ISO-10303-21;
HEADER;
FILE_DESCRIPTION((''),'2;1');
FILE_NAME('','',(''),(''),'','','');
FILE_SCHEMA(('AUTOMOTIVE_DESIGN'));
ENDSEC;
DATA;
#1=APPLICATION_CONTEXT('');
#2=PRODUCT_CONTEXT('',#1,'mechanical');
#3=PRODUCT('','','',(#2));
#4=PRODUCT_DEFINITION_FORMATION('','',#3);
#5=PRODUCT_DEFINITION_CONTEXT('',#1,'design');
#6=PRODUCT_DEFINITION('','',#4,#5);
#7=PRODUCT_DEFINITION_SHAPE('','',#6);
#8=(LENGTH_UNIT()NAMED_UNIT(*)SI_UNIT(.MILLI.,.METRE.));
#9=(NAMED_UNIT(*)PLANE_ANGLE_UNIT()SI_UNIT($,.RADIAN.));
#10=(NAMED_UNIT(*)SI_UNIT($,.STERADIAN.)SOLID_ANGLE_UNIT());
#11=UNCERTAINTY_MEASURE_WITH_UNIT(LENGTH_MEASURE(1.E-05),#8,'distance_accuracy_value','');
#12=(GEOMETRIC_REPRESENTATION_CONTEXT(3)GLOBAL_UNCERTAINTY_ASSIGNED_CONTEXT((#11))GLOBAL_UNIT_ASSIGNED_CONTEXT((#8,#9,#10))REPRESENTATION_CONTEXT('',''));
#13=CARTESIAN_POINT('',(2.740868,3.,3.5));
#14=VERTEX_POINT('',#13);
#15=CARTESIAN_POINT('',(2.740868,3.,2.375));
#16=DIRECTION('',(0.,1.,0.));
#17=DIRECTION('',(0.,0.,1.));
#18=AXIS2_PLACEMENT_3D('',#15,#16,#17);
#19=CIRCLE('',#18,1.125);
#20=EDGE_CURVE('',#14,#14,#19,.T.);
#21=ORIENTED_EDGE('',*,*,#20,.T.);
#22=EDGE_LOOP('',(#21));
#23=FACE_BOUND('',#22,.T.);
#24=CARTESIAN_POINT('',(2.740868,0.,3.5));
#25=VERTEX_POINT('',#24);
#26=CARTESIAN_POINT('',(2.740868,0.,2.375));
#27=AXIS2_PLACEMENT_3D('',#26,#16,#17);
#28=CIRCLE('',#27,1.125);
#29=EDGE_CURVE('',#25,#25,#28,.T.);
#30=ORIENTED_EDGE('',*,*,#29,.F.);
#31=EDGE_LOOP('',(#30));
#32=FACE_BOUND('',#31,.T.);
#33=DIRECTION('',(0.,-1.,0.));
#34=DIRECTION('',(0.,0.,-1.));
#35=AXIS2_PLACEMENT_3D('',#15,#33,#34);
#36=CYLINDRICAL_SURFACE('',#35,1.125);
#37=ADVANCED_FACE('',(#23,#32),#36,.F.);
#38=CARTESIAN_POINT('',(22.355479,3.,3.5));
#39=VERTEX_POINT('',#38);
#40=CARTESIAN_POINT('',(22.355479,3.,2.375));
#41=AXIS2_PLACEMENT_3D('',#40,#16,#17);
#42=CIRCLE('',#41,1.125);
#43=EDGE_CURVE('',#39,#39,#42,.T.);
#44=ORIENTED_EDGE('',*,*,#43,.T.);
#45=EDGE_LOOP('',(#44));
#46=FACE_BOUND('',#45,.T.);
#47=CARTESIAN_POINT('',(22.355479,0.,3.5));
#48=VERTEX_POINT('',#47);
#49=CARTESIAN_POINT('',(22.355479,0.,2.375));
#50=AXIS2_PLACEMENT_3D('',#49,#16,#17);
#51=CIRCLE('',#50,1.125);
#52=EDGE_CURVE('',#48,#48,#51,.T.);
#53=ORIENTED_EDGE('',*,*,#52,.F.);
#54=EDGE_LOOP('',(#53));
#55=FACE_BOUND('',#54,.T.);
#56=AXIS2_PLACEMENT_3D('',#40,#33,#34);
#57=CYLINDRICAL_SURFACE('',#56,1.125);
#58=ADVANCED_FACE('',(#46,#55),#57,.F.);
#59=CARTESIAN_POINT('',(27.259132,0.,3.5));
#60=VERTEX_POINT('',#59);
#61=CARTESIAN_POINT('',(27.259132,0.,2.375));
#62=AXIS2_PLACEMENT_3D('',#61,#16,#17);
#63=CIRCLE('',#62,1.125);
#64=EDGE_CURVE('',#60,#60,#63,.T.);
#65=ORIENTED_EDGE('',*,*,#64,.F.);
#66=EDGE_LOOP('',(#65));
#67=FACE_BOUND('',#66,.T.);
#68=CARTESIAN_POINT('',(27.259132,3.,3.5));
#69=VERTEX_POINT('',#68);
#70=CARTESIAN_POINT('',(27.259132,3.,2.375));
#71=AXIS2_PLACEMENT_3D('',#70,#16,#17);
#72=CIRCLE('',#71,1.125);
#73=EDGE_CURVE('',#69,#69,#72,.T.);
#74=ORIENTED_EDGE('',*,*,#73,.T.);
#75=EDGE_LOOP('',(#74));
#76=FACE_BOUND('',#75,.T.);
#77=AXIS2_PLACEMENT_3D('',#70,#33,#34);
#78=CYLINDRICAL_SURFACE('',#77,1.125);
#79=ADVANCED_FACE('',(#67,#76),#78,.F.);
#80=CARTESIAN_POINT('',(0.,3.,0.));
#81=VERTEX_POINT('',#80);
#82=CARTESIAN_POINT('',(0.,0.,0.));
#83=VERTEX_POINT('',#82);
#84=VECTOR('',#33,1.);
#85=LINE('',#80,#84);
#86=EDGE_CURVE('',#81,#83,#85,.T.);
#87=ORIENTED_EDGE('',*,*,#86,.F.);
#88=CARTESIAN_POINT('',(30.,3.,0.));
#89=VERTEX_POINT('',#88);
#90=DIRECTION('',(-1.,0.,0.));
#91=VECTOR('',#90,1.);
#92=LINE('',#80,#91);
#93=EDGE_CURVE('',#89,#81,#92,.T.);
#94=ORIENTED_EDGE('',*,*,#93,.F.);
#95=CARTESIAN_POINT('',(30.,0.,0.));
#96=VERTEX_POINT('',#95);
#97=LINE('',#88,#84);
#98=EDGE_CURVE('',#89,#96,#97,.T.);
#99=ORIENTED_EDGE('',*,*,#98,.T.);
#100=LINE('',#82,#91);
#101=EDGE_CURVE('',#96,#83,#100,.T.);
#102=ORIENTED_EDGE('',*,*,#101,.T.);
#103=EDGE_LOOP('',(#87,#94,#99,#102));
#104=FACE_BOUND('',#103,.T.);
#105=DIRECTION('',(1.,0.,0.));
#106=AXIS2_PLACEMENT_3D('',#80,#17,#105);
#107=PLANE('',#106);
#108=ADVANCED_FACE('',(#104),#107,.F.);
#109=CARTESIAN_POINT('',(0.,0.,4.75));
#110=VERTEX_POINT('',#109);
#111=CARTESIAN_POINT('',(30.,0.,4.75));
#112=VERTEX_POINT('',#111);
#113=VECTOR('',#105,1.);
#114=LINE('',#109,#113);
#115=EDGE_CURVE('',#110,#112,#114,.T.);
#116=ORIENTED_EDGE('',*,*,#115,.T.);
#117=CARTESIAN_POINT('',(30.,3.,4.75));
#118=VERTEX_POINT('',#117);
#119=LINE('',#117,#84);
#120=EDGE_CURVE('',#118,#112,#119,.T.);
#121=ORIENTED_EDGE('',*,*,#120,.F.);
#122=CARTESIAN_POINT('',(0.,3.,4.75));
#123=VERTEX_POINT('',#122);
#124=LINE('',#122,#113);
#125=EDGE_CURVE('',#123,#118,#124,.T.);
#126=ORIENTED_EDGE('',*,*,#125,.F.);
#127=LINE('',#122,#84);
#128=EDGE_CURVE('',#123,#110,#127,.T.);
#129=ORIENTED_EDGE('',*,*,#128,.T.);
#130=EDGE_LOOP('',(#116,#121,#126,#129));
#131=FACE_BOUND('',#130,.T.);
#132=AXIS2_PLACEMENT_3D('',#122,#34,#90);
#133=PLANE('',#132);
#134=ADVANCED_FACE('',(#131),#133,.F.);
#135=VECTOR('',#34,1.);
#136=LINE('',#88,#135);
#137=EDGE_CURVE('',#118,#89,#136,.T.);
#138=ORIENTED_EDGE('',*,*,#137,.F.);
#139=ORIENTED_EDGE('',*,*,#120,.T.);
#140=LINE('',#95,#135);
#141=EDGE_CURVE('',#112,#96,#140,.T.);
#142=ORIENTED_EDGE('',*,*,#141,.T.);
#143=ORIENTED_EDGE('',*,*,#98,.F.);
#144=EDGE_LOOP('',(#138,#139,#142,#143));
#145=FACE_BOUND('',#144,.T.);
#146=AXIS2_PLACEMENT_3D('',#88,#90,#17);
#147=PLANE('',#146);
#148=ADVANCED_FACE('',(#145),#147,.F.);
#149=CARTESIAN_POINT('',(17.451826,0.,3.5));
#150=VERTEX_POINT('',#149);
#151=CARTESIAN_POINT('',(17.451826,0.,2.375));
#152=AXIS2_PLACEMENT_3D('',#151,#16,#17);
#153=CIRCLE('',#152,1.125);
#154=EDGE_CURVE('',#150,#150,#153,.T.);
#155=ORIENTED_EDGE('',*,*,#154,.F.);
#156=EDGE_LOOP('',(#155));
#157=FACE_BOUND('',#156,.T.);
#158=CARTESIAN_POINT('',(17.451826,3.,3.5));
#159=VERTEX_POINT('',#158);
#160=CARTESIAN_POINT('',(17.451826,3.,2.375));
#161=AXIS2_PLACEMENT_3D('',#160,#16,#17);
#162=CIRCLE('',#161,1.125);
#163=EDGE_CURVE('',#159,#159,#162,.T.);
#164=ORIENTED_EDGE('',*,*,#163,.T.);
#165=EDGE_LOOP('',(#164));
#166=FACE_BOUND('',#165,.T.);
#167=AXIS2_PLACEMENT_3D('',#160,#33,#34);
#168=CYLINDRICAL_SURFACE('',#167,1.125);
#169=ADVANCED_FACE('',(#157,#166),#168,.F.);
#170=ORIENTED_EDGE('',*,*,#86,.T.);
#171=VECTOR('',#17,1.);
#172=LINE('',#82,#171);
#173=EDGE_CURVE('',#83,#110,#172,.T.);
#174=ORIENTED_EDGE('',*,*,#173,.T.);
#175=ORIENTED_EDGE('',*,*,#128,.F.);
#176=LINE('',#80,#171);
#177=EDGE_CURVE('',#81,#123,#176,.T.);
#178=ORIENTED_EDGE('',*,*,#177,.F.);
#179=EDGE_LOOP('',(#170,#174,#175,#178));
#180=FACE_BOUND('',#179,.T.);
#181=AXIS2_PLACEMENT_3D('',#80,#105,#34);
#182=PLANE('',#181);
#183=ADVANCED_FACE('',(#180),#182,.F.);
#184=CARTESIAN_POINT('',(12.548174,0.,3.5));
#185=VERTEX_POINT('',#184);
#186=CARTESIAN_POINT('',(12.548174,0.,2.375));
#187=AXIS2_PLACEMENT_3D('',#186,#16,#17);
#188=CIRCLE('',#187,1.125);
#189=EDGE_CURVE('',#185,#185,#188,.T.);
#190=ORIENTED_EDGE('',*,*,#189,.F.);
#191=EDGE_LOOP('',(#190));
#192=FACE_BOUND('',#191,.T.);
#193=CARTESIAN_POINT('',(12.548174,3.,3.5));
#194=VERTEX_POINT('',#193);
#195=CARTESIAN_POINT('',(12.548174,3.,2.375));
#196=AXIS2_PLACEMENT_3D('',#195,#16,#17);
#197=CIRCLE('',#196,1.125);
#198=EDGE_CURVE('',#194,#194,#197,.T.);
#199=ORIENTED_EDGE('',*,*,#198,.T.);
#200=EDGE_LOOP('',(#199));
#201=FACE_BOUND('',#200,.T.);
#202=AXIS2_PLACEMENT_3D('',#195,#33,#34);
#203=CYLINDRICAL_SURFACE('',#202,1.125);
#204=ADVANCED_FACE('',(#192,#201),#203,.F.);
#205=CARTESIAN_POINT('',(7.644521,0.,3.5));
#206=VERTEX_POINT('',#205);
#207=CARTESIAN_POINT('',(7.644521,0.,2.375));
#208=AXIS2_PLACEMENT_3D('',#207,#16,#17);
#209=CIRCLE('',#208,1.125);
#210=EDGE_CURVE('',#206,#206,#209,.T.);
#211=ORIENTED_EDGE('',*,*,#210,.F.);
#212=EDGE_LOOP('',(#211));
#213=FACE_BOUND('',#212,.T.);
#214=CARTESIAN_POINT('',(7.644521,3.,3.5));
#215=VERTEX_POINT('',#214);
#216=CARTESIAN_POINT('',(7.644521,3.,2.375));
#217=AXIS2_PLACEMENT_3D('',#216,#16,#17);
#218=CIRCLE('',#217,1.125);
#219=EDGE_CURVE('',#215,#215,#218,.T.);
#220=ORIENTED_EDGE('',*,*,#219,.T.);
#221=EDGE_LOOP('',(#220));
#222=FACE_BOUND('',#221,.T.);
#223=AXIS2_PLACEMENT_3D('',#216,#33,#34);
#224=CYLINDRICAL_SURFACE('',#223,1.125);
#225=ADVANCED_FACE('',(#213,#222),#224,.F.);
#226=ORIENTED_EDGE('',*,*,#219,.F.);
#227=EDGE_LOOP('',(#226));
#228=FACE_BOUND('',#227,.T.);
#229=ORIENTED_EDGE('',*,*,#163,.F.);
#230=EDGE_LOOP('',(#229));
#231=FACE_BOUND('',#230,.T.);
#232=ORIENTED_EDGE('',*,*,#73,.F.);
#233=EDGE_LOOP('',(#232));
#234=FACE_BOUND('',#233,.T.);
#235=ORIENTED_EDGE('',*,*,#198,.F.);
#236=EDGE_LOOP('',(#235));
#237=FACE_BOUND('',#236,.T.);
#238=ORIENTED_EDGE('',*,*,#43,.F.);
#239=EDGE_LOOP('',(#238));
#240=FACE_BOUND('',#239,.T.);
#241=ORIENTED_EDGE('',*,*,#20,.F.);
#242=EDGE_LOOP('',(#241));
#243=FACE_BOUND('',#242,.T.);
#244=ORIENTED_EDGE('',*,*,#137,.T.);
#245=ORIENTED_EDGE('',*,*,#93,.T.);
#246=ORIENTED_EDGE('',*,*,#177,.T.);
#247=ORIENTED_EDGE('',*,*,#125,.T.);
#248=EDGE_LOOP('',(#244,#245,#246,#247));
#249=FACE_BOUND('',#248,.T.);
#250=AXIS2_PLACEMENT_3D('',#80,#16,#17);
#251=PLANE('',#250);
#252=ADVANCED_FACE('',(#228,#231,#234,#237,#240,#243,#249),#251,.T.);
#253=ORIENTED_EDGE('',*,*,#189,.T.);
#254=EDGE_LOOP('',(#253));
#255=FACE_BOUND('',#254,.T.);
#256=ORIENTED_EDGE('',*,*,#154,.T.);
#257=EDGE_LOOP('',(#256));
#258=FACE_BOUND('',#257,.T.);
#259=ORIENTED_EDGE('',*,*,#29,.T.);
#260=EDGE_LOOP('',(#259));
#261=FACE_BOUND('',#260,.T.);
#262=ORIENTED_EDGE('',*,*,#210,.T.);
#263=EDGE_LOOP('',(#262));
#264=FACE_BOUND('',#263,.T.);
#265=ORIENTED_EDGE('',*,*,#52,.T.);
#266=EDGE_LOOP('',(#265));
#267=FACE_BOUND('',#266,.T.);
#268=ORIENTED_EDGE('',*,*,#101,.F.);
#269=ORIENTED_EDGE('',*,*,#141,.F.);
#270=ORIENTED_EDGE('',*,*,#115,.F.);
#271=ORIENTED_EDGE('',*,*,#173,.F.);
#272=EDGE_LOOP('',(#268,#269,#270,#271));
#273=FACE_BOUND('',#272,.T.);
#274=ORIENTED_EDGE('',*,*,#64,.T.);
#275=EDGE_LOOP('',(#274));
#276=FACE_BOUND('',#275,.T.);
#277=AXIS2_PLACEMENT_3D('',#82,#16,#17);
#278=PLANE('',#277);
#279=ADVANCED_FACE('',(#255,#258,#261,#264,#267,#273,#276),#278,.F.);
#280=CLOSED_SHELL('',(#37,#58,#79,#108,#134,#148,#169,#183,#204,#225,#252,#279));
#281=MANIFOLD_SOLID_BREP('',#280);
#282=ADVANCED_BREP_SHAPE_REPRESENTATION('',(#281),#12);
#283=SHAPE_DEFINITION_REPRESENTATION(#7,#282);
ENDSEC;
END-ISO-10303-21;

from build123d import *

# Parameters (mm, degrees)
SKETCH1_W           = 30
SKETCH1_H           = 4.75
SKETCH1_R           = 1.125
BOSS_EXTRUDE1_DEPTH = 3


with BuildPart() as part:
    # Sketch1 → Boss-Extrude1 (new body)
    with BuildSketch(Plane(origin=(0, 0, 0), x_dir=(1, 0, 0), z_dir=(0, 1, 0))):
        with Locations((15, -2.375)):
            Rectangle(SKETCH1_W, SKETCH1_H)
        with Locations(Location((2.740868037, -2.375, 0), (0, 0, 270))):
            Circle(SKETCH1_R, mode=Mode.SUBTRACT)
        with Locations(Location((7.644520822, -2.375, 0), (0, 0, 270))):
            Circle(SKETCH1_R, mode=Mode.SUBTRACT)
        with Locations(Location((12.548173607, -2.375, 0), (0, 0, 270))):
            Circle(SKETCH1_R, mode=Mode.SUBTRACT)
        with Locations(Location((17.451826393, -2.375, 0), (0, 0, 270))):
            Circle(SKETCH1_R, mode=Mode.SUBTRACT)
        with Locations(Location((22.355479178, -2.375, 0), (0, 0, 270))):
            Circle(SKETCH1_R, mode=Mode.SUBTRACT)
        with Locations(Location((27.259131963, -2.375, 0), (0, 0, 270))):
            Circle(SKETCH1_R, mode=Mode.SUBTRACT)
    extrude(amount=BOSS_EXTRUDE1_DEPTH)


solid = part.part
